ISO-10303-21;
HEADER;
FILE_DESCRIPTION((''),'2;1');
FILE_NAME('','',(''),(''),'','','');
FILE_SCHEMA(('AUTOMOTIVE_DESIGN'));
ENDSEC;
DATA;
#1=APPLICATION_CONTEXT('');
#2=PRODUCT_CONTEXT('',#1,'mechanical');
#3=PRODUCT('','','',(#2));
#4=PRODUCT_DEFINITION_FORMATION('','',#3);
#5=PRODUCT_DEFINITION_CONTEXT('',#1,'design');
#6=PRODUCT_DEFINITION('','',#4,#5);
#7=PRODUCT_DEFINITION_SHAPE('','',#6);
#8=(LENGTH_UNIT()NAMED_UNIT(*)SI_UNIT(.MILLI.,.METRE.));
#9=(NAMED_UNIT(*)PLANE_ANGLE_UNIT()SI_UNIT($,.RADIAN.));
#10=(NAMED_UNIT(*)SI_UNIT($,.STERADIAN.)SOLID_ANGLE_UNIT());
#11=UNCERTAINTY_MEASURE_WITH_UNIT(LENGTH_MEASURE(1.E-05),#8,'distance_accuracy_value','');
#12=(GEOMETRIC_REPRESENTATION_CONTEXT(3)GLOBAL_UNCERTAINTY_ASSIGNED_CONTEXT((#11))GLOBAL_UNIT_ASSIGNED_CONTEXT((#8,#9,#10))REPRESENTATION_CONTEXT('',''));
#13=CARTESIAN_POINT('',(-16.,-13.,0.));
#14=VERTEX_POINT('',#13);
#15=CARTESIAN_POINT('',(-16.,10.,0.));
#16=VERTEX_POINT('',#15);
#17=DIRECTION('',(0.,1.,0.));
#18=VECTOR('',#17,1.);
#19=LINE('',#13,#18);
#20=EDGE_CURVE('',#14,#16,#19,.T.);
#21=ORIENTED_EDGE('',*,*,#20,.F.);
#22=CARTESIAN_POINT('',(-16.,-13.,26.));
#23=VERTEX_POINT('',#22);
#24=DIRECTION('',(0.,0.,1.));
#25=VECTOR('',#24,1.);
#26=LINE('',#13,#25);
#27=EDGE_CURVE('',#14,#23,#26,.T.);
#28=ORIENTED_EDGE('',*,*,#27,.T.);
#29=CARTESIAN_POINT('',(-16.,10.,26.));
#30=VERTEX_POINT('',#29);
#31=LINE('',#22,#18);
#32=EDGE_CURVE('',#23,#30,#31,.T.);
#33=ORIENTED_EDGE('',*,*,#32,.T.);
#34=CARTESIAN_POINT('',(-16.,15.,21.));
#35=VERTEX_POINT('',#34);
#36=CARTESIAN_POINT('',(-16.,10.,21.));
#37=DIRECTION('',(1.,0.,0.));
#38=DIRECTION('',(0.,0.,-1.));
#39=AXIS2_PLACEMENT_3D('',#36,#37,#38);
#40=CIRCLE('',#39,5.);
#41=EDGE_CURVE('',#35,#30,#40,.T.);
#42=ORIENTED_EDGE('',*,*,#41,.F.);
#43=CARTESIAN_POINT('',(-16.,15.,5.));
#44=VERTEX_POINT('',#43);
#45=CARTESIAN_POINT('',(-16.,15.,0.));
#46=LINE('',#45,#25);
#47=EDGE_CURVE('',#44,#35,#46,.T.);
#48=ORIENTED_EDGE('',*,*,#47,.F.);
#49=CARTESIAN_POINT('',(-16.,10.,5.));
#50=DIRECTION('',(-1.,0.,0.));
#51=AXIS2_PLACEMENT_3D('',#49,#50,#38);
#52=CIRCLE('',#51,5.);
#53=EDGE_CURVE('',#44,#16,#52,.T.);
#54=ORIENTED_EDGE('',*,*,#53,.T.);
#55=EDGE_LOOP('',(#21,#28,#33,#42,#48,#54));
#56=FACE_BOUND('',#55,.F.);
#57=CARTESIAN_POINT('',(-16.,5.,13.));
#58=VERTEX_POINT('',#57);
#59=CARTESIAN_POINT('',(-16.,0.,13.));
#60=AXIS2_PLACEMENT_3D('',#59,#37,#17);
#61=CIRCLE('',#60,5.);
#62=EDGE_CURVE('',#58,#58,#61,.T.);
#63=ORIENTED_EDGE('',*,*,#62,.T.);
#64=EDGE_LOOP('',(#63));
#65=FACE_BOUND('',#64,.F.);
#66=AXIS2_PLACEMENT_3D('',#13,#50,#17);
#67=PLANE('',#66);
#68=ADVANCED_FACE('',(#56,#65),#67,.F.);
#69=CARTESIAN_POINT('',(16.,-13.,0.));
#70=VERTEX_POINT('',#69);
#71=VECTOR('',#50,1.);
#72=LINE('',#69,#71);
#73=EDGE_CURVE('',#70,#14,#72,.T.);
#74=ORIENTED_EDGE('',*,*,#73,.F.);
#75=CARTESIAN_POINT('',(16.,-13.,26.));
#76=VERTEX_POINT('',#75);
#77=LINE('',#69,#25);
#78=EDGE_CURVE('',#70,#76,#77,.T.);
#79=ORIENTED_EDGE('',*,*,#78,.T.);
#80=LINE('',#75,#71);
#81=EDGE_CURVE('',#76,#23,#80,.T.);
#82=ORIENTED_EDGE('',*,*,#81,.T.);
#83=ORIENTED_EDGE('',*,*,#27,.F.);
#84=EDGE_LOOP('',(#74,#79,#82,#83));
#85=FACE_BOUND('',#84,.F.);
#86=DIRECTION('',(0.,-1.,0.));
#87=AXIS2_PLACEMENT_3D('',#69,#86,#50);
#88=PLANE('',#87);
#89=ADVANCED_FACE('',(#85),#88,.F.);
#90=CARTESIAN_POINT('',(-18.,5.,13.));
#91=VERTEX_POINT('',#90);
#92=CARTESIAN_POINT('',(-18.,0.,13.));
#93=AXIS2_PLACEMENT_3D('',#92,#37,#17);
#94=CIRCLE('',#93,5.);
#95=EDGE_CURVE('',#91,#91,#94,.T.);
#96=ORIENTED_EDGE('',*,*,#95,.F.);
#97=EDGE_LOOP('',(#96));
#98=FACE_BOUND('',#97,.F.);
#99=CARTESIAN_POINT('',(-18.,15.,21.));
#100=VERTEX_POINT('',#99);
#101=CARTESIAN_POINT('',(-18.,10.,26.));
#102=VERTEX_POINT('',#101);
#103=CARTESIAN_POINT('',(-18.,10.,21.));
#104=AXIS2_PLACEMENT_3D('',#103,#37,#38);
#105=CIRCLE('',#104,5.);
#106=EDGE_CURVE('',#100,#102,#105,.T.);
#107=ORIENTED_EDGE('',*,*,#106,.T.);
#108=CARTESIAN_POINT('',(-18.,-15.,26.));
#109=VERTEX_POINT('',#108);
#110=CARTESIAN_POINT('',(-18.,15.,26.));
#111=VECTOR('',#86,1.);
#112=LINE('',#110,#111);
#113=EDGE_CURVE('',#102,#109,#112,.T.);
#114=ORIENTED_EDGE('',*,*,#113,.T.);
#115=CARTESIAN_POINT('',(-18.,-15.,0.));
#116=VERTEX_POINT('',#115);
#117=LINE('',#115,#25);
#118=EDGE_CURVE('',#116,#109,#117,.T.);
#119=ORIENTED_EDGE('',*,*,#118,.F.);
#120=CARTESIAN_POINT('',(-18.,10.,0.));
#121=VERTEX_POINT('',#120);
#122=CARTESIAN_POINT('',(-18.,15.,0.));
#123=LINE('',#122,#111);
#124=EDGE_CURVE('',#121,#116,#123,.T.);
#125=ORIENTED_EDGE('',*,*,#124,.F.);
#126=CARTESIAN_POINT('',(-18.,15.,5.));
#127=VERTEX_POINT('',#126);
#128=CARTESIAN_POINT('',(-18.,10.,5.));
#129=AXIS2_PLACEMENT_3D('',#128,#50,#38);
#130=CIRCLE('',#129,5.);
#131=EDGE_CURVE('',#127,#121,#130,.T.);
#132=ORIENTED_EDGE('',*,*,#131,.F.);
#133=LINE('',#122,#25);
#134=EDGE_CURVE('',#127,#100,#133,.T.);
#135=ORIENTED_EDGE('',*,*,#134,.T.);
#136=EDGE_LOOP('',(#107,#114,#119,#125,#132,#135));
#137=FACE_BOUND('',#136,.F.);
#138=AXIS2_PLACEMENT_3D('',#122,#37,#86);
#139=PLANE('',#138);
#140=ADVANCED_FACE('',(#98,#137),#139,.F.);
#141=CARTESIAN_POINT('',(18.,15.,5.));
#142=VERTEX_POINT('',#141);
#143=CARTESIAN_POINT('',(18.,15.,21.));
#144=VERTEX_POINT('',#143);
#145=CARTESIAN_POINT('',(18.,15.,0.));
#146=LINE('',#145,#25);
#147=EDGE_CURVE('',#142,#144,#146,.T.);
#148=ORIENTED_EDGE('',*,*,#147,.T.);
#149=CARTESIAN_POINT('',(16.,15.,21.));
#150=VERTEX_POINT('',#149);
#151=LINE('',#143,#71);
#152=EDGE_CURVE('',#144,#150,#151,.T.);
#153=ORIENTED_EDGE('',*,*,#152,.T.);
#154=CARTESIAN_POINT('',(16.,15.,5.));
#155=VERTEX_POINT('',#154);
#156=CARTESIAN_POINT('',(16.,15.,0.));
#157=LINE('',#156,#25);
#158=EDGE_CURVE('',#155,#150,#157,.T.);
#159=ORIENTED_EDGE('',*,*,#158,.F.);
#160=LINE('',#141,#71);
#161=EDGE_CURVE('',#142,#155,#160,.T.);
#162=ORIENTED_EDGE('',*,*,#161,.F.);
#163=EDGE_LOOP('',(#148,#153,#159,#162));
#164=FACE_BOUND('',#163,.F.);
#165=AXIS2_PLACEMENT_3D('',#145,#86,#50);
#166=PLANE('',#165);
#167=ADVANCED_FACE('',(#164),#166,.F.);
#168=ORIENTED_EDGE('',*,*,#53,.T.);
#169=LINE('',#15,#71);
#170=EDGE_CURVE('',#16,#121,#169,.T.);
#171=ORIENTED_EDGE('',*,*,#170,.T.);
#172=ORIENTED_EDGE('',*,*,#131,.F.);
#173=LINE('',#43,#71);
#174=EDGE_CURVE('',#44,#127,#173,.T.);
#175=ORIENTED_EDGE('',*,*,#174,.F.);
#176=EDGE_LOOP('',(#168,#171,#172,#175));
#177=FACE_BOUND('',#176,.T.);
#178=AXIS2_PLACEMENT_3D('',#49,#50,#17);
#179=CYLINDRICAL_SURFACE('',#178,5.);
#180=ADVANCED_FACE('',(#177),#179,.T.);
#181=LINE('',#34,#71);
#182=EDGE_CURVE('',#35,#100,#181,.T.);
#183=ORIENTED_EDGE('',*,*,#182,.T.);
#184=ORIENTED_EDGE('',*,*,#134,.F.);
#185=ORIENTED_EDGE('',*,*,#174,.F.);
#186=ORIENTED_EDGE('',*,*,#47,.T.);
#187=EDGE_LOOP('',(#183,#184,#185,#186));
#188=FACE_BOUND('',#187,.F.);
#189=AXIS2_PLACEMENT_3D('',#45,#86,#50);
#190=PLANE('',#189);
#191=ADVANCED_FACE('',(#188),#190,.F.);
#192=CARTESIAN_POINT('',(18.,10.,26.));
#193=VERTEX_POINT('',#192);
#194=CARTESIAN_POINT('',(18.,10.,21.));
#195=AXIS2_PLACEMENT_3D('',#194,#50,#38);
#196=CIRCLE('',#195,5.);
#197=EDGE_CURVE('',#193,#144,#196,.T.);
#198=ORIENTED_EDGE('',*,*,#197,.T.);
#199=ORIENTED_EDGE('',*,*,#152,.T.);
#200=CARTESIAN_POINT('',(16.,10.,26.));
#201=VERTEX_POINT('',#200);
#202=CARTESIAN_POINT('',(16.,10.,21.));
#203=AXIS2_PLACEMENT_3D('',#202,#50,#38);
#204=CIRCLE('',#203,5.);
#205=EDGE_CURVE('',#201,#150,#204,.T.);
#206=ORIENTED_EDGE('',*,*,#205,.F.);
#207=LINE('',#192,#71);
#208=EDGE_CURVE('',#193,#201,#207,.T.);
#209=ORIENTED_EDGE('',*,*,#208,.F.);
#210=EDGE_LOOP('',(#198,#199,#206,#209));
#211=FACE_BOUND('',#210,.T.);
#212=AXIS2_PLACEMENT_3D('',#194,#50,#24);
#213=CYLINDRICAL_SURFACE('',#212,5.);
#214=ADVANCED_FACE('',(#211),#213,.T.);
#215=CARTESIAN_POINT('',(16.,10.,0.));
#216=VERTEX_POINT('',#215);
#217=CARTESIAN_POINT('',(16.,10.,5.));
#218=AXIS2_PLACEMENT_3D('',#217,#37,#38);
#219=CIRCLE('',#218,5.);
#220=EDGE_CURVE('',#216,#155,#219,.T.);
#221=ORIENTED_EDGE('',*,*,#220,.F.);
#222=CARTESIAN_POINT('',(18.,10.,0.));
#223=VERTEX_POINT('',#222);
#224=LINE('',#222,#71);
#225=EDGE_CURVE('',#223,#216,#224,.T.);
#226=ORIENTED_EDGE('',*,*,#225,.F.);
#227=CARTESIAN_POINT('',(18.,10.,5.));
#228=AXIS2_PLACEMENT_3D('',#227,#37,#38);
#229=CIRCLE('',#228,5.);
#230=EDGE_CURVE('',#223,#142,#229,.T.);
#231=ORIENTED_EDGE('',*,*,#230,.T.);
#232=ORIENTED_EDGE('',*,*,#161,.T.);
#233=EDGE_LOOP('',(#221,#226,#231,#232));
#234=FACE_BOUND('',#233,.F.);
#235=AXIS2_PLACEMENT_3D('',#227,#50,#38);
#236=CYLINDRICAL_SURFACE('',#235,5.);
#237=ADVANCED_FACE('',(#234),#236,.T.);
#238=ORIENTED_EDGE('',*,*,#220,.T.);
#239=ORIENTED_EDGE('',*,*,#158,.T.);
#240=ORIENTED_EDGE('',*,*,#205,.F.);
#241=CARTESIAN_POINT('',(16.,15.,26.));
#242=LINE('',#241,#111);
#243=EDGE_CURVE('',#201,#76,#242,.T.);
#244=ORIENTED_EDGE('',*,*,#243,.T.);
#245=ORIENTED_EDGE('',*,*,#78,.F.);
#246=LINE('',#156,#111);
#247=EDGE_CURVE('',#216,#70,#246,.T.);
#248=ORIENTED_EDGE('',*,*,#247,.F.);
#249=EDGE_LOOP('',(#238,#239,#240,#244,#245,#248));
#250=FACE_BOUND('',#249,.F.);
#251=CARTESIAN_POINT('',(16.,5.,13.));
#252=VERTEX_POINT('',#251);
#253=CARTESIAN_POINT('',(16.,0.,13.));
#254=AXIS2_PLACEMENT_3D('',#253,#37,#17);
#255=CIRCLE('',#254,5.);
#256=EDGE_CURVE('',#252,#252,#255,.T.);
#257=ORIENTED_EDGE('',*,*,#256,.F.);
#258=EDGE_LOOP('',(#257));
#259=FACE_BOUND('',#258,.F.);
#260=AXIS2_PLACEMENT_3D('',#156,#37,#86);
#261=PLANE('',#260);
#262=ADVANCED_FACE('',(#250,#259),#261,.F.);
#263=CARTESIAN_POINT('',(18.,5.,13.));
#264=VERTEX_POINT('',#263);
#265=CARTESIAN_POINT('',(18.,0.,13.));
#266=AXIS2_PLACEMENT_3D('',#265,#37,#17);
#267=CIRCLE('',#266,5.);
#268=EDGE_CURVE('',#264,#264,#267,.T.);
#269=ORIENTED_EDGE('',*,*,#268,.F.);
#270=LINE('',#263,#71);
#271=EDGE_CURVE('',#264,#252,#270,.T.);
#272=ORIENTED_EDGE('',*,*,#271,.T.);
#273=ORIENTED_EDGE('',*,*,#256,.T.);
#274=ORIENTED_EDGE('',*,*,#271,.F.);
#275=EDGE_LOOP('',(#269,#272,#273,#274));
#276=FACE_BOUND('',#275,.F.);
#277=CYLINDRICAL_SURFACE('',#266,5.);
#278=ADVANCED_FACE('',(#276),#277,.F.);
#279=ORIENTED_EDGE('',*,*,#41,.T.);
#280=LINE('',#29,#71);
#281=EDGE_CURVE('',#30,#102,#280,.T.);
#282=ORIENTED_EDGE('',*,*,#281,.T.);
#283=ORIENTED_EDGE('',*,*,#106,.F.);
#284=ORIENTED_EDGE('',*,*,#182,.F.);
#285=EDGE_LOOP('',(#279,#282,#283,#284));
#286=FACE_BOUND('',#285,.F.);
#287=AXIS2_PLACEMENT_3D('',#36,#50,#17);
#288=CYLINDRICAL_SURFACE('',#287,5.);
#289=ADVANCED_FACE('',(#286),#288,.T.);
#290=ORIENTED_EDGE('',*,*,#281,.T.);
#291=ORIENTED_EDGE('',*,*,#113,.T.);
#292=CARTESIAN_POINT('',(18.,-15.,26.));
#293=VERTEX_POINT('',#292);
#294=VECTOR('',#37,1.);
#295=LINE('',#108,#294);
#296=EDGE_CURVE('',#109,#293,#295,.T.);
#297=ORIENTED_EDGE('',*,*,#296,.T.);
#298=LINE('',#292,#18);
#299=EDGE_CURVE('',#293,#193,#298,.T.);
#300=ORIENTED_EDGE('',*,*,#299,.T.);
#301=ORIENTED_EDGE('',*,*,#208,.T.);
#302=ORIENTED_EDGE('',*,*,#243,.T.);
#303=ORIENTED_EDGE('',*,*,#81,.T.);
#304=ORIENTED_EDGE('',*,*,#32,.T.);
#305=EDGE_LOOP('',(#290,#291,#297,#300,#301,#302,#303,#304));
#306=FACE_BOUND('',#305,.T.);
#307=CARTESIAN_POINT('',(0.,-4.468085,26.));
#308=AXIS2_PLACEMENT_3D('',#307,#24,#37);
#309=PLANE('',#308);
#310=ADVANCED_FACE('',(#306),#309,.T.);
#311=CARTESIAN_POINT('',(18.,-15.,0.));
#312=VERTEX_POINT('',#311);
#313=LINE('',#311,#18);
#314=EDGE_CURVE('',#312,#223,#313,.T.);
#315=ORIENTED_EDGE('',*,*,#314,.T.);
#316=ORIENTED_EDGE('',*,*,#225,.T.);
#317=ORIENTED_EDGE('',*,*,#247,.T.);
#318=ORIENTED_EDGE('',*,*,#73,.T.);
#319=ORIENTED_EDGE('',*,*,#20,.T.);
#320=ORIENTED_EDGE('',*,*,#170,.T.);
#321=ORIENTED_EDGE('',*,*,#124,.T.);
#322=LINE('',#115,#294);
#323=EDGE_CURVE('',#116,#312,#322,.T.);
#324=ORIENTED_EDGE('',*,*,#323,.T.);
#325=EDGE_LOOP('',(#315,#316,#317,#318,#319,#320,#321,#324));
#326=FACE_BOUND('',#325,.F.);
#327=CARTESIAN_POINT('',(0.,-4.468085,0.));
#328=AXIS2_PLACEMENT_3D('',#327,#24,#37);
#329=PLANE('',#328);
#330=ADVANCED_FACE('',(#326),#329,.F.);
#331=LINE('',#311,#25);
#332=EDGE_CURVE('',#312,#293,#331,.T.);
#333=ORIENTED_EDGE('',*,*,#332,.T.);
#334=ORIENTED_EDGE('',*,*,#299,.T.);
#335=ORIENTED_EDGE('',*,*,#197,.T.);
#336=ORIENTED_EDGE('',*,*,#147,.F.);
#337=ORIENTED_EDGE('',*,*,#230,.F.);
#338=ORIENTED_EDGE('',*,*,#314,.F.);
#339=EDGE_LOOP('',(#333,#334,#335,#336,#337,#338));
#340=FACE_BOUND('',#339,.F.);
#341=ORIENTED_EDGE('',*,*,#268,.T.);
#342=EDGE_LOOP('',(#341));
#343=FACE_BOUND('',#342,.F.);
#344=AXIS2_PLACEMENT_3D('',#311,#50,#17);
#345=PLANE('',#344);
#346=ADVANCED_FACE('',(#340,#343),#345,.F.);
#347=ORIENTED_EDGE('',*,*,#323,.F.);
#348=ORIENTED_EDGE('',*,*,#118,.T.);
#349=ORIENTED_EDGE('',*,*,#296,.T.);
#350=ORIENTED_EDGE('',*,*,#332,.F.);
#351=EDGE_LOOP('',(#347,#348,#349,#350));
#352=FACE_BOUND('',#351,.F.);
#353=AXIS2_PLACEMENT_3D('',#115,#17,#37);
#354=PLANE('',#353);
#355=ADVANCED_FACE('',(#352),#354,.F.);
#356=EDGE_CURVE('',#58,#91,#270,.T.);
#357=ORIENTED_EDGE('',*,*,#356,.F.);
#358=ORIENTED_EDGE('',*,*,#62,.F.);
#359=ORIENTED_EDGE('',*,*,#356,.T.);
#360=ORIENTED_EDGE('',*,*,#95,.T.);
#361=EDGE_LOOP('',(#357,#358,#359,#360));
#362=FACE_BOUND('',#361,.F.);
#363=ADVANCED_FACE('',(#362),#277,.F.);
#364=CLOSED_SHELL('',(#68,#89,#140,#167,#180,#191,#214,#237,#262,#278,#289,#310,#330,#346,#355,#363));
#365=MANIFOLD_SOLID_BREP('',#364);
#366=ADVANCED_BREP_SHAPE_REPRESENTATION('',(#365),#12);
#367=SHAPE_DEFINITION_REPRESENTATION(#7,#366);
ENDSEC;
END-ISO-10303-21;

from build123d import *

# Parameters (mm, degrees)
F1_DEPTH = 26
F2_R     = 5
F3_DEPTH = 36.001
F4_R     = 5


with BuildPart() as f1:
    # F0 (on Top) → F1 (new body)
    with BuildSketch(Plane.XY):
        Polygon((-16, 15), (-18, 15), (-18, -15), (18, -15), (18, 15), (16, 15), (16, -13), (-16, -13), align=None)
    extrude(amount=F1_DEPTH)

    # F2 (on face) → F3 (cut, through all)
    with BuildSketch(Plane.YZ.offset(18)):
        with Locations((0, 13)):
            Circle(F2_R)
    extrude(amount=-F3_DEPTH, mode=Mode.SUBTRACT)

    # F4
    f4_edges = [f1.edges().sort_by_distance(p)[0] for p in [
        (17, 15, 0),
        (-17, 15, 0),
        (-17, 15, 26),
        (17, 15, 26),
    ]]
    fillet(f4_edges, radius=F4_R)


solid = f1.part
